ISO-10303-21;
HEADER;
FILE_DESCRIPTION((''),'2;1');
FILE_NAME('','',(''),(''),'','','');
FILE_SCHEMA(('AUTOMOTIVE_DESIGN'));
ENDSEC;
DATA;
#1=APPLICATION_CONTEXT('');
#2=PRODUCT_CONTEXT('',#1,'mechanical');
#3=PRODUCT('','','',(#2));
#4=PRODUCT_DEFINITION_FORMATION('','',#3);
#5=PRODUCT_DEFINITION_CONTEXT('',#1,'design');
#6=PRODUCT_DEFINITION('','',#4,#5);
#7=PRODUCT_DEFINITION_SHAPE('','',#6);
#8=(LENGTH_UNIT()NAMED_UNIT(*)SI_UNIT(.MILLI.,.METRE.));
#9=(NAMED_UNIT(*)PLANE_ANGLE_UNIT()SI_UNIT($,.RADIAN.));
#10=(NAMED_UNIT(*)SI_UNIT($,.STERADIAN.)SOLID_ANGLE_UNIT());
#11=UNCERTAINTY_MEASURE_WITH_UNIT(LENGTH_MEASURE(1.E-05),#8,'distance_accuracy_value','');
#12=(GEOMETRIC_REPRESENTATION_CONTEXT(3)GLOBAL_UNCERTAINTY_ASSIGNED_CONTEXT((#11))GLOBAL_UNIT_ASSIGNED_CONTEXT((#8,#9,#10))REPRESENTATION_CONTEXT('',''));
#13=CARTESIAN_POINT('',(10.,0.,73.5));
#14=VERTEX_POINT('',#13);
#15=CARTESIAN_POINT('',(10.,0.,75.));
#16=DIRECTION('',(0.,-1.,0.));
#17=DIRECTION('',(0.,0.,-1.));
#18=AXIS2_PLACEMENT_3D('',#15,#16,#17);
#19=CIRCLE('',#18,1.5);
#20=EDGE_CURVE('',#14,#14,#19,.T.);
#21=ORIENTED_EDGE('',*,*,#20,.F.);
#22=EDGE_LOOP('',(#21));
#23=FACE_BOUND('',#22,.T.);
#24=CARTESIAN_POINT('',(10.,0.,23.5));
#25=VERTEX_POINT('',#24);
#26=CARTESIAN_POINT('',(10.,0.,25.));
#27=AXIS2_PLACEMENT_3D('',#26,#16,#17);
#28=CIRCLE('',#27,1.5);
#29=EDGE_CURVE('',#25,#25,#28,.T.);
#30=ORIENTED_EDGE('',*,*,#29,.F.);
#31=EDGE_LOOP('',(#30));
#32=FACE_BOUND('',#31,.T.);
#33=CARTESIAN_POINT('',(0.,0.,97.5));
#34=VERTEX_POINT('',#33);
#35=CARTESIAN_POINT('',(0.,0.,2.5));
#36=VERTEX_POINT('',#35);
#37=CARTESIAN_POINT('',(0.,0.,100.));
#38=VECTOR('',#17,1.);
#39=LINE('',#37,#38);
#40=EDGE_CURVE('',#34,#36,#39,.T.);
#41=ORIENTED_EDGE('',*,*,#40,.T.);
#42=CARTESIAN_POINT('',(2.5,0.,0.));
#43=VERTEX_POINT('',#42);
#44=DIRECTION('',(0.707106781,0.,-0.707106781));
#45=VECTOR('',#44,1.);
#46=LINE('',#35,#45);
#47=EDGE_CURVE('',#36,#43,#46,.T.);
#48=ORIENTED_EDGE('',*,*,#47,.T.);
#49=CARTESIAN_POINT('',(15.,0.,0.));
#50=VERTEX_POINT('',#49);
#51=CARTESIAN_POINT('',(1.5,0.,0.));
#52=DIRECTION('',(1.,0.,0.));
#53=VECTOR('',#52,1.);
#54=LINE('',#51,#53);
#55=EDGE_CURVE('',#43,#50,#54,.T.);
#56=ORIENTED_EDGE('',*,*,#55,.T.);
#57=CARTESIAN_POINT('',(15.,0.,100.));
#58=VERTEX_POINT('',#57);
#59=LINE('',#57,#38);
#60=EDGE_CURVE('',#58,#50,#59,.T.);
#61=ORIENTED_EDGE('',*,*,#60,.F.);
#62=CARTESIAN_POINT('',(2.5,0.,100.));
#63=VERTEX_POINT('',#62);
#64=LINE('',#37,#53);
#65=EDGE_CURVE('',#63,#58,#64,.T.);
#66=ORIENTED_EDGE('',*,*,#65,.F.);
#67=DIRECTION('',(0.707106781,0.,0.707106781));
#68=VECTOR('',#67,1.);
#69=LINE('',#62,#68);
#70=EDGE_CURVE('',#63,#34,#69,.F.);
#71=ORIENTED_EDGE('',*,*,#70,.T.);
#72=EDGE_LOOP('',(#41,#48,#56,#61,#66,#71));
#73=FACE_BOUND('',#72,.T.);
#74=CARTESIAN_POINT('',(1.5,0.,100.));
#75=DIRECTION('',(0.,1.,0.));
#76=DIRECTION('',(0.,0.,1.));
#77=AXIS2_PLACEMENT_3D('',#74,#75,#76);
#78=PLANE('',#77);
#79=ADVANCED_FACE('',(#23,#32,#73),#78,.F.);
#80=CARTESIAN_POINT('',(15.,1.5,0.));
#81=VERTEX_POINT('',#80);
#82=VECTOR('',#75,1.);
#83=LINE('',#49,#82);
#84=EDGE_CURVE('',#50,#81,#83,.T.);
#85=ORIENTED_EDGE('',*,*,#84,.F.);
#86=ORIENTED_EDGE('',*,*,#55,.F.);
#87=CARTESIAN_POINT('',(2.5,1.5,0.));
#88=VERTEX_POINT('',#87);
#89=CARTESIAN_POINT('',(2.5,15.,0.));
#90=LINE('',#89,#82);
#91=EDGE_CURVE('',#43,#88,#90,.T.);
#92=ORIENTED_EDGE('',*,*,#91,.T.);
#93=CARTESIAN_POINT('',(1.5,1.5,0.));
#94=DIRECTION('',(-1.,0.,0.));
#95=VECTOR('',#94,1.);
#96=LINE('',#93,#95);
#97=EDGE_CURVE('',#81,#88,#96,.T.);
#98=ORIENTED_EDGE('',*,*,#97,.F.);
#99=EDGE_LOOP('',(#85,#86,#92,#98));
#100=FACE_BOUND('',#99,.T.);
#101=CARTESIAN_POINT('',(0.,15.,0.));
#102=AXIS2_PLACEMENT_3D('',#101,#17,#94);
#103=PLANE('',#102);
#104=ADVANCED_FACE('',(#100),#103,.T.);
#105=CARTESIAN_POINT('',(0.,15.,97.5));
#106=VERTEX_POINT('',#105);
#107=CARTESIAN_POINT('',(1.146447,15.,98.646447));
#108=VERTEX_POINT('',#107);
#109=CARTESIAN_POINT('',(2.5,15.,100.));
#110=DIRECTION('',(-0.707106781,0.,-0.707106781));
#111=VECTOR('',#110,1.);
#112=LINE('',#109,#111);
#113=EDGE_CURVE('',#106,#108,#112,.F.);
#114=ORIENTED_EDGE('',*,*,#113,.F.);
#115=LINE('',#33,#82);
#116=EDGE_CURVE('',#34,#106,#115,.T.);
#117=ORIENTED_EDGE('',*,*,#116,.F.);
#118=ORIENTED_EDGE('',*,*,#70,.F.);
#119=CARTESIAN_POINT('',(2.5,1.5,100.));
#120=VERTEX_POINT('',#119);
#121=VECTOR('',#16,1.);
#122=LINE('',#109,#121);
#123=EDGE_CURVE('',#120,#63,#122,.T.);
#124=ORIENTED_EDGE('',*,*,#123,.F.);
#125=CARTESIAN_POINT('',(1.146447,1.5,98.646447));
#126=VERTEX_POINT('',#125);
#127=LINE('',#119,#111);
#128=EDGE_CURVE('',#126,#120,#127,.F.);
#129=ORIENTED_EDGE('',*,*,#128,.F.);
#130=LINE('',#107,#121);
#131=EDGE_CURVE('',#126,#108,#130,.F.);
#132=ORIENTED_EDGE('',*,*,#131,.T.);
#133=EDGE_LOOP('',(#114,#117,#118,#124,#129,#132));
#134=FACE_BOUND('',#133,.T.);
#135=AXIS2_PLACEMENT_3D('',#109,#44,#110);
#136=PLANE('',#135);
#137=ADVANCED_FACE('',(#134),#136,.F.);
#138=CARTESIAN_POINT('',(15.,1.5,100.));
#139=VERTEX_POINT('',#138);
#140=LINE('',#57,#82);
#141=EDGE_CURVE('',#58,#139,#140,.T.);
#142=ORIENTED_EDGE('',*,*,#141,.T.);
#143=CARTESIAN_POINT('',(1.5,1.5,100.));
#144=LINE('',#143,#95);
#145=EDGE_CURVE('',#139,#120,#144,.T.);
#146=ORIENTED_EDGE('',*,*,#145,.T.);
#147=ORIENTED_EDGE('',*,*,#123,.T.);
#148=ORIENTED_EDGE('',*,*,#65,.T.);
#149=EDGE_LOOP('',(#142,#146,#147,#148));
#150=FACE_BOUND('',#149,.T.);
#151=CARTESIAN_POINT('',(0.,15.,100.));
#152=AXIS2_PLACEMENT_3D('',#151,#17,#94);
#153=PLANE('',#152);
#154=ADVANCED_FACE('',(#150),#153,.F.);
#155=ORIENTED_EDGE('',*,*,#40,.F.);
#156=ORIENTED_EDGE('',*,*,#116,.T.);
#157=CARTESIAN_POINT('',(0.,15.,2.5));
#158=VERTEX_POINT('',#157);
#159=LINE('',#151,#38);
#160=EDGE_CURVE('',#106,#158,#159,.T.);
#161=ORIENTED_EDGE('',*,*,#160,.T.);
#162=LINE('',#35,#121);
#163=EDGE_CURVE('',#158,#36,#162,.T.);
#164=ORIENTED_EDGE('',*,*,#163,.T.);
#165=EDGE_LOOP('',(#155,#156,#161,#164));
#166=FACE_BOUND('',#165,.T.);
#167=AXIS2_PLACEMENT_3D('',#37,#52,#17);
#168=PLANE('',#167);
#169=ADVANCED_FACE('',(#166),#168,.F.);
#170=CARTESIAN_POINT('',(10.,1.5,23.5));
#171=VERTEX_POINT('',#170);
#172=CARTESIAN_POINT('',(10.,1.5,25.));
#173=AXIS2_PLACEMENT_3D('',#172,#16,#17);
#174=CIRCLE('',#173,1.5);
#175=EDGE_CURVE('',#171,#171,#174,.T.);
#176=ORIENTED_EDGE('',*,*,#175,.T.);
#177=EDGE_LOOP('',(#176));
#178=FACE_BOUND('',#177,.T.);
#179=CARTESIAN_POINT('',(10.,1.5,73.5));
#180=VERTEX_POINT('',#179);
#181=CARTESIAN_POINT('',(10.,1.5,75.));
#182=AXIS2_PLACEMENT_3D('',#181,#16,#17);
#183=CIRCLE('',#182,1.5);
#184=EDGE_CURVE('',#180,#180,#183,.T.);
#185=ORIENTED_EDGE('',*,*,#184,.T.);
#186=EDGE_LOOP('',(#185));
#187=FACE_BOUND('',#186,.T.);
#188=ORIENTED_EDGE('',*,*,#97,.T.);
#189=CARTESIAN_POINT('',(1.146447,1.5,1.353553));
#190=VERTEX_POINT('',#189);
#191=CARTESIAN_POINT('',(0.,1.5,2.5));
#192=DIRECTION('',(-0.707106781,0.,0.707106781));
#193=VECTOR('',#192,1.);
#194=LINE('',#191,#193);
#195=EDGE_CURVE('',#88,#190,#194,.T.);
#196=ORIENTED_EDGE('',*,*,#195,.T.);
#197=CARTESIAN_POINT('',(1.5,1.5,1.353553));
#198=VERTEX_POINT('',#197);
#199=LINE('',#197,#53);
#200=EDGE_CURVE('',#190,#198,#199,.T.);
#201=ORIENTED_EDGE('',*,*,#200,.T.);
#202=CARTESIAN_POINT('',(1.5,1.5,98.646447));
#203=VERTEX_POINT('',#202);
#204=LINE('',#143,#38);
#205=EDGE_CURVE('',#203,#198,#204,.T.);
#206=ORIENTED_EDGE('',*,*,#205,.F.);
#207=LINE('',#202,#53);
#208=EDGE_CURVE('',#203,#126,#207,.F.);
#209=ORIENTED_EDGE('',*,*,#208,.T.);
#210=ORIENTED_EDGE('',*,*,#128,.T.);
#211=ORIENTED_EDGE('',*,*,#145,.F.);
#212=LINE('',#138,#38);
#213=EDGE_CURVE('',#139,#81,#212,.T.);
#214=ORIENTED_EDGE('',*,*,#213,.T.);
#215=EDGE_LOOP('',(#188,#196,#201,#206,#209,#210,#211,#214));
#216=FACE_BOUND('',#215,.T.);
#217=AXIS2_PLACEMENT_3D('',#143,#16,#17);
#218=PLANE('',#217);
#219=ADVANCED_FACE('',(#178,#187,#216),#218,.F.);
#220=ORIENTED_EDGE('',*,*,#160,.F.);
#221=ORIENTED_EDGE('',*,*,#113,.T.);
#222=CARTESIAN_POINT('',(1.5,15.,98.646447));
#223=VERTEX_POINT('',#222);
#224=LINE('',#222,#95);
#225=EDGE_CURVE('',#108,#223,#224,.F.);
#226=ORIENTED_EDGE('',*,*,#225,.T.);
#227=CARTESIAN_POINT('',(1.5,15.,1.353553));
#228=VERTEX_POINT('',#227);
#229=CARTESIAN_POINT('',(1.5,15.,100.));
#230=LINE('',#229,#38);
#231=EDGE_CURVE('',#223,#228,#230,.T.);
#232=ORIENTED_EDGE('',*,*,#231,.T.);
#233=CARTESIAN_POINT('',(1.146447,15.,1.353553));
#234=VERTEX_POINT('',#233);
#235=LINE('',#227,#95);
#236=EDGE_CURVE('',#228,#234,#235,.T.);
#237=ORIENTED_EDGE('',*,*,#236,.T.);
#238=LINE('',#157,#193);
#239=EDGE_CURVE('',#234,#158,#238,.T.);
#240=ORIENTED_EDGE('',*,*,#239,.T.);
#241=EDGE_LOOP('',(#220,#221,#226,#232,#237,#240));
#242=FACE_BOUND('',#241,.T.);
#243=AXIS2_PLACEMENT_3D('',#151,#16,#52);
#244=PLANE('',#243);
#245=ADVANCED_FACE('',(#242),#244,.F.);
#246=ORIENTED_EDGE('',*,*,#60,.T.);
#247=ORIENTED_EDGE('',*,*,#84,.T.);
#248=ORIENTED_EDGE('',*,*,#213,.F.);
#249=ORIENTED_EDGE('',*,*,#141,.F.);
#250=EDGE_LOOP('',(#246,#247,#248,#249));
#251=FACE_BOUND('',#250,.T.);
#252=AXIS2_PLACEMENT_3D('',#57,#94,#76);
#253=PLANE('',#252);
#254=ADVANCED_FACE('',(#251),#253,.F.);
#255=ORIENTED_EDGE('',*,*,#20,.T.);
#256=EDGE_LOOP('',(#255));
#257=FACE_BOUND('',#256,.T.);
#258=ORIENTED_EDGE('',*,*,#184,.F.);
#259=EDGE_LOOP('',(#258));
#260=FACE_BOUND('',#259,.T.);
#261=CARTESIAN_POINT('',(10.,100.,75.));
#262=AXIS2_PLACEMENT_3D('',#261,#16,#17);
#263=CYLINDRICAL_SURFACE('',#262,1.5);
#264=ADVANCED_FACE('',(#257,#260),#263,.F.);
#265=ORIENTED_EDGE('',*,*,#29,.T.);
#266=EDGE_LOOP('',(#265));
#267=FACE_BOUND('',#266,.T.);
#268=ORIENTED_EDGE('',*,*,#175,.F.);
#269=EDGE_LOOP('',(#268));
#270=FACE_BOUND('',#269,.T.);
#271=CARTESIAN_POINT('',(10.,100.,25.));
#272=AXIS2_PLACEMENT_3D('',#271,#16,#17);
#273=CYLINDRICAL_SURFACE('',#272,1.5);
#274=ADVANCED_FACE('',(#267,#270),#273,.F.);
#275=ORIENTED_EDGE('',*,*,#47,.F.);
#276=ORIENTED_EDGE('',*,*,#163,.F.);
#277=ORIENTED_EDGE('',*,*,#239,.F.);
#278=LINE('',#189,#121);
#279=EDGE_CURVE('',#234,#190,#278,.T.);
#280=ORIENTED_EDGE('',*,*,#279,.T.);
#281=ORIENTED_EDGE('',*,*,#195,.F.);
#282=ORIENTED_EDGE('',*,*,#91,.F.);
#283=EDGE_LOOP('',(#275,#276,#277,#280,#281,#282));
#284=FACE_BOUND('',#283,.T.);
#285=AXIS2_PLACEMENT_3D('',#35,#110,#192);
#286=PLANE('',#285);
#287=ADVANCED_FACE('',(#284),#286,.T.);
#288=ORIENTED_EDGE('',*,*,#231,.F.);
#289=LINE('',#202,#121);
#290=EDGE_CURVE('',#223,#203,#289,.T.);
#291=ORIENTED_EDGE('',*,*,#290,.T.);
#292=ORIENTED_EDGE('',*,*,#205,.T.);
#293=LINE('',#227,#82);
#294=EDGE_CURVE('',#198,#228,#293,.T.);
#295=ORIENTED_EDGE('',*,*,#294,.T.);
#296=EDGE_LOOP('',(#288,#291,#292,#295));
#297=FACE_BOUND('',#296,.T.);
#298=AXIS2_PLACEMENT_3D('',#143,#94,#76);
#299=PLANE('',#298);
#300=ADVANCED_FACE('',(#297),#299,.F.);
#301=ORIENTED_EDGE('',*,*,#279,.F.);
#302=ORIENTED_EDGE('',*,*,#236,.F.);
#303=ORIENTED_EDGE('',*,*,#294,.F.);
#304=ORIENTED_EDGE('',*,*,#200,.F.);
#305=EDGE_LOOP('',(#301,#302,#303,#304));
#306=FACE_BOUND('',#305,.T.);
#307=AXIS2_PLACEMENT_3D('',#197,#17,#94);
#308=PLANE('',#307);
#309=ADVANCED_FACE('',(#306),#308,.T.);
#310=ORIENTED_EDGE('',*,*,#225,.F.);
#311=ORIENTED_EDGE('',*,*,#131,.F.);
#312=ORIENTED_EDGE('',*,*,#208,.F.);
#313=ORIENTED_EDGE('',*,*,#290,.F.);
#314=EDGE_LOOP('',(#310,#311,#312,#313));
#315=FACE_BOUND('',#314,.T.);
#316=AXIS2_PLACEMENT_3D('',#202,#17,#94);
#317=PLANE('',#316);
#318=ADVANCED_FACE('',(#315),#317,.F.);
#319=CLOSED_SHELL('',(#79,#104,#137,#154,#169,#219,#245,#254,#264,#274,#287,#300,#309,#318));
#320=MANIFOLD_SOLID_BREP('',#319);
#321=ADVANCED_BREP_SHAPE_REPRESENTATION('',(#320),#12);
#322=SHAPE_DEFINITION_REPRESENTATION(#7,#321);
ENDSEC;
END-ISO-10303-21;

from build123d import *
from OCP.BRepFilletAPI import BRepFilletAPI_MakeChamfer

# Parameters (mm, degrees)
EXTRUSION1_DEPTH           = 100
ESQUISSE2_R                = 1.5
EXTRUSION2_DEPTH           = 100
R_P_TITION_LIN_AIRE1_COUNT = 2
R_P_TITION_LIN_AIRE1_PITCH = 50
CHANFREIN1_SIZE            = 2.5
CHANFREIN3_SIZE            = 0.5
CHANFREIN3_SIZE2           = 0.353553391


with BuildPart() as part:
    # Esquisse1 → Extrusion1 (new body)
    with BuildSketch(Plane.XY):
        Polygon((0, 0), (1.5, 0), (15, 0), (15, 1.5), (1.5, 1.5), (1.5, 15), (0, 15), align=None)
    extrude(amount=EXTRUSION1_DEPTH)

    # Esquisse2 → Extrusion2 (cut)
    with BuildSketch(Plane.XZ):
        with Locations(Location((10, 75, 0), (0, 0, 270))):
            Circle(ESQUISSE2_R)
    extrusion2 = extrude(amount=-EXTRUSION2_DEPTH, mode=Mode.SUBTRACT)

    # Répétition linéaire1: Extrusion2 ×2
    with Locations(*[(0, 0, -i * R_P_TITION_LIN_AIRE1_PITCH) for i in range(1, R_P_TITION_LIN_AIRE1_COUNT)]):
        add(extrusion2, mode=Mode.SUBTRACT)

    # Chanfrein1
    chanfrein1_edges = [part.edges().sort_by_distance(p)[0] for p in [
        (0, 7.5, 100),
        (0, 7.5, 0),
    ]]
    chamfer(chanfrein1_edges, length=CHANFREIN1_SIZE)

    # Chanfrein3: one chamfer whose edges measure the first distance from different faces: ONE call of the kernel's chamfer builder (chamfer() names one face for all edges)
    chanfrein3_edges_1 = [part.edges().sort_by_distance(p)[0] for p in [
        (1.5, 8.25, 1),
    ]]
    chanfrein3_side_1 = [part.faces().sort_by_distance(p)[0] for p in [
        (0.828125, 7.078125, 1.671875),
    ]]
    chanfrein3_edges_2 = [part.edges().sort_by_distance(p)[0] for p in [
        (1.5, 8.25, 99),
    ]]
    chanfrein3_side_2 = [part.faces().sort_by_distance(p)[0] for p in [
        (0.828125, 7.078125, 98.328125),
    ]]
    chanfrein3 = BRepFilletAPI_MakeChamfer(part.part.solid().wrapped)
    for e in chanfrein3_edges_1:
        chanfrein3.Add(CHANFREIN3_SIZE, CHANFREIN3_SIZE2, e.wrapped, chanfrein3_side_1[0].wrapped)  # the first distance lies on this face
    for e in chanfrein3_edges_2:
        chanfrein3.Add(CHANFREIN3_SIZE, CHANFREIN3_SIZE2, e.wrapped, chanfrein3_side_2[0].wrapped)  # the first distance lies on this face
    add(Compound.cast(chanfrein3.Shape()), mode=Mode.REPLACE)


solid = part.part
